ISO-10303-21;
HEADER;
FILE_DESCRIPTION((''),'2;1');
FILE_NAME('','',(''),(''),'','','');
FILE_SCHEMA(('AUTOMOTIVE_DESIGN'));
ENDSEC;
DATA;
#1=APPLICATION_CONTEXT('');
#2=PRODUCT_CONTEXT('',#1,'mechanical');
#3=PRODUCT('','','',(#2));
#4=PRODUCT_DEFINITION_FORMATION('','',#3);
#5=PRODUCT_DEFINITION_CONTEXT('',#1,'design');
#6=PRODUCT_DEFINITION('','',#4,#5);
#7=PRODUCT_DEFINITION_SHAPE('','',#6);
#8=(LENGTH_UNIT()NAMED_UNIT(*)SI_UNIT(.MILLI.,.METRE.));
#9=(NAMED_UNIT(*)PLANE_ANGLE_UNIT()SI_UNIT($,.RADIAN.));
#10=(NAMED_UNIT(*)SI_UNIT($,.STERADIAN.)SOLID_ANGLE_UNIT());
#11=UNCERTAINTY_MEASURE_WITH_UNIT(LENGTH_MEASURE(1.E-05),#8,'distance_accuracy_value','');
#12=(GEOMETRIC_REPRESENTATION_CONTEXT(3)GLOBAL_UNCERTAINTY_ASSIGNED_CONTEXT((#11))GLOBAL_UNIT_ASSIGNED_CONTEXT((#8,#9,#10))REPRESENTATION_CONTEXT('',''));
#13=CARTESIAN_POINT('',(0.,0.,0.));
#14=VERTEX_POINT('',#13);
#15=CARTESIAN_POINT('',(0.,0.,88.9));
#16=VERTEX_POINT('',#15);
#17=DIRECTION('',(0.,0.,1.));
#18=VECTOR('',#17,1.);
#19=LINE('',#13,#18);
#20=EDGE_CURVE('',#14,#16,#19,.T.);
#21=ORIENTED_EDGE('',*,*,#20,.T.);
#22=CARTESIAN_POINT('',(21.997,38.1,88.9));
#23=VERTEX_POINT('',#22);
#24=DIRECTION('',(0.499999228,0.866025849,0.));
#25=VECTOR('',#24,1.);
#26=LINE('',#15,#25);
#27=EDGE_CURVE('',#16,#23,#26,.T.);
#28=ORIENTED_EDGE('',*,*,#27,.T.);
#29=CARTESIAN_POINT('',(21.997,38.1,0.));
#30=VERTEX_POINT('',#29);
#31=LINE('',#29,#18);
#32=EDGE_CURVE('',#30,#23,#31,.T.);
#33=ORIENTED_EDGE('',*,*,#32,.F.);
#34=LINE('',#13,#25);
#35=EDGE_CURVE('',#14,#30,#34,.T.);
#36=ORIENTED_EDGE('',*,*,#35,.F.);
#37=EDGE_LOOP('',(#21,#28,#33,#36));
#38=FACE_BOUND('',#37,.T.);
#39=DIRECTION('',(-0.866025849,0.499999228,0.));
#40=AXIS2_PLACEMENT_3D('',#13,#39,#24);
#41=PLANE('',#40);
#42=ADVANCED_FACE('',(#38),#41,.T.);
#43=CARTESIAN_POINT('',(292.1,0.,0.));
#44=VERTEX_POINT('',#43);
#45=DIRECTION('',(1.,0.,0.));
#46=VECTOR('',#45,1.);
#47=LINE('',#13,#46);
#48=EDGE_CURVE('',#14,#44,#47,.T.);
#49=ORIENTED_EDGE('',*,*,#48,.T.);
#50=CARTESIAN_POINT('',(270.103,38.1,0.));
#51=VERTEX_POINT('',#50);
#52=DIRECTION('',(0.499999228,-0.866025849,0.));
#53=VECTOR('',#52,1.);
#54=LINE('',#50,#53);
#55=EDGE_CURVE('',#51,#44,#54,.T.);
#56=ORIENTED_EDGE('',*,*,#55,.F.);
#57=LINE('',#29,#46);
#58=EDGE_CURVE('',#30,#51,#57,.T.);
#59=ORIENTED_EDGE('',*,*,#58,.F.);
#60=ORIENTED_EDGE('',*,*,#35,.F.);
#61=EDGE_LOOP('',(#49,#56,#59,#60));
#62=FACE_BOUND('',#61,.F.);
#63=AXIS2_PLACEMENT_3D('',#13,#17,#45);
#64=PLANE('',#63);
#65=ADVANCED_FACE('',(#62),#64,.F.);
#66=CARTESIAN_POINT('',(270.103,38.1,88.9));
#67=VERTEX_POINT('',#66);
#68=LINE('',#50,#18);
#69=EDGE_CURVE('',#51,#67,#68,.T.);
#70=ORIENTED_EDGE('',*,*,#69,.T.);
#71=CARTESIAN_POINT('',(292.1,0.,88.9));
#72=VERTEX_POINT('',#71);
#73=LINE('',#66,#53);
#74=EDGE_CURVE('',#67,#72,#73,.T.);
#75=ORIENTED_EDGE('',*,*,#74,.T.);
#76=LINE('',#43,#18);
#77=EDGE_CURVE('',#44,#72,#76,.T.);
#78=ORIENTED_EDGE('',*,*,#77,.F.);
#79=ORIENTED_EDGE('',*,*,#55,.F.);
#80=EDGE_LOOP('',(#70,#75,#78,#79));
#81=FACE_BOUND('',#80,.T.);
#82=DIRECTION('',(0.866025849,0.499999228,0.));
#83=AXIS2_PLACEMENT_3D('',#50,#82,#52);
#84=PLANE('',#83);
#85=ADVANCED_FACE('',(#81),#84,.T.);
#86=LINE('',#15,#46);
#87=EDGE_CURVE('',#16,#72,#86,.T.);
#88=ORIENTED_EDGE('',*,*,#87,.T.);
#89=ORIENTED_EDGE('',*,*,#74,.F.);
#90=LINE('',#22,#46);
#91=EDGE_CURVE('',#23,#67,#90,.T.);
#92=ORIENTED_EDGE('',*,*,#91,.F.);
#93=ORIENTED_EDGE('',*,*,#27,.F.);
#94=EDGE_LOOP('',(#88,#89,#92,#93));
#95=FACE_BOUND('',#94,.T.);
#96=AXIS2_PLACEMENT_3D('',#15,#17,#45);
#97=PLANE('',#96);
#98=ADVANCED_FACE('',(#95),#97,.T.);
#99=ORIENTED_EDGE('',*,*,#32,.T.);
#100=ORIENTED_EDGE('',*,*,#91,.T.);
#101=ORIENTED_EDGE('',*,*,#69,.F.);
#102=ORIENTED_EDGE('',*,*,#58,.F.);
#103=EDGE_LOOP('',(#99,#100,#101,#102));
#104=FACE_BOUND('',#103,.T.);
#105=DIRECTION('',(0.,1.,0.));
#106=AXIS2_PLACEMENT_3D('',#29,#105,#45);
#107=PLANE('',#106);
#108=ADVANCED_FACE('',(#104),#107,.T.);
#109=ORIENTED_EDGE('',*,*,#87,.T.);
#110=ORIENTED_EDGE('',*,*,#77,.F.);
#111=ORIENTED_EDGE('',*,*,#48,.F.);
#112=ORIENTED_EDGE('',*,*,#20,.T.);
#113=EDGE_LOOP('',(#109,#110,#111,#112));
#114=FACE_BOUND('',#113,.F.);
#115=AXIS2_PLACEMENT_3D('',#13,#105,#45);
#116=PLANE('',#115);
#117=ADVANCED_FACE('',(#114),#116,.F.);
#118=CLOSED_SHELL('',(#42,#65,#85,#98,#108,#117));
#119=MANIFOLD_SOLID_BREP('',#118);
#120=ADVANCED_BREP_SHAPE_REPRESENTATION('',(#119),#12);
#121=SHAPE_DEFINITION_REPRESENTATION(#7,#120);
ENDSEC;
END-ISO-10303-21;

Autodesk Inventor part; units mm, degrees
ref_plane "YZ Plane" through (0, 0, 0) normal (1, 0, 0) x (0, 1, 0)
ref_plane "XZ Plane" through (0, 0, 0) normal (0, 1, 0) x (-1, 0, 0)
ref_plane "XY Plane" through (0, 0, 0) normal (0, 0, 1) x (1, 0, 0)
sketch "Sketch1" plane through (0, 0, 0) normal (0, 0, 1) x (1, 0, 0)
  line L0 (0, 0) -> (292.1, 0)
  line L1 (0, 0) -> (21.997, 38.1)
  line L2 (21.997, 38.1) -> (270.103, 38.1)
  line L3 (270.103, 38.1) -> (292.1, 0)
  dimension "d1" = 292.1
  dimension "d2" = 38.1
  dimension "d3" = 60
  dimension "d4" = 60
extrude "Extrusion1" add sketch "Sketch1" along normal blind 88.9
properties part number "BA01" material "Wood (Oak)"
